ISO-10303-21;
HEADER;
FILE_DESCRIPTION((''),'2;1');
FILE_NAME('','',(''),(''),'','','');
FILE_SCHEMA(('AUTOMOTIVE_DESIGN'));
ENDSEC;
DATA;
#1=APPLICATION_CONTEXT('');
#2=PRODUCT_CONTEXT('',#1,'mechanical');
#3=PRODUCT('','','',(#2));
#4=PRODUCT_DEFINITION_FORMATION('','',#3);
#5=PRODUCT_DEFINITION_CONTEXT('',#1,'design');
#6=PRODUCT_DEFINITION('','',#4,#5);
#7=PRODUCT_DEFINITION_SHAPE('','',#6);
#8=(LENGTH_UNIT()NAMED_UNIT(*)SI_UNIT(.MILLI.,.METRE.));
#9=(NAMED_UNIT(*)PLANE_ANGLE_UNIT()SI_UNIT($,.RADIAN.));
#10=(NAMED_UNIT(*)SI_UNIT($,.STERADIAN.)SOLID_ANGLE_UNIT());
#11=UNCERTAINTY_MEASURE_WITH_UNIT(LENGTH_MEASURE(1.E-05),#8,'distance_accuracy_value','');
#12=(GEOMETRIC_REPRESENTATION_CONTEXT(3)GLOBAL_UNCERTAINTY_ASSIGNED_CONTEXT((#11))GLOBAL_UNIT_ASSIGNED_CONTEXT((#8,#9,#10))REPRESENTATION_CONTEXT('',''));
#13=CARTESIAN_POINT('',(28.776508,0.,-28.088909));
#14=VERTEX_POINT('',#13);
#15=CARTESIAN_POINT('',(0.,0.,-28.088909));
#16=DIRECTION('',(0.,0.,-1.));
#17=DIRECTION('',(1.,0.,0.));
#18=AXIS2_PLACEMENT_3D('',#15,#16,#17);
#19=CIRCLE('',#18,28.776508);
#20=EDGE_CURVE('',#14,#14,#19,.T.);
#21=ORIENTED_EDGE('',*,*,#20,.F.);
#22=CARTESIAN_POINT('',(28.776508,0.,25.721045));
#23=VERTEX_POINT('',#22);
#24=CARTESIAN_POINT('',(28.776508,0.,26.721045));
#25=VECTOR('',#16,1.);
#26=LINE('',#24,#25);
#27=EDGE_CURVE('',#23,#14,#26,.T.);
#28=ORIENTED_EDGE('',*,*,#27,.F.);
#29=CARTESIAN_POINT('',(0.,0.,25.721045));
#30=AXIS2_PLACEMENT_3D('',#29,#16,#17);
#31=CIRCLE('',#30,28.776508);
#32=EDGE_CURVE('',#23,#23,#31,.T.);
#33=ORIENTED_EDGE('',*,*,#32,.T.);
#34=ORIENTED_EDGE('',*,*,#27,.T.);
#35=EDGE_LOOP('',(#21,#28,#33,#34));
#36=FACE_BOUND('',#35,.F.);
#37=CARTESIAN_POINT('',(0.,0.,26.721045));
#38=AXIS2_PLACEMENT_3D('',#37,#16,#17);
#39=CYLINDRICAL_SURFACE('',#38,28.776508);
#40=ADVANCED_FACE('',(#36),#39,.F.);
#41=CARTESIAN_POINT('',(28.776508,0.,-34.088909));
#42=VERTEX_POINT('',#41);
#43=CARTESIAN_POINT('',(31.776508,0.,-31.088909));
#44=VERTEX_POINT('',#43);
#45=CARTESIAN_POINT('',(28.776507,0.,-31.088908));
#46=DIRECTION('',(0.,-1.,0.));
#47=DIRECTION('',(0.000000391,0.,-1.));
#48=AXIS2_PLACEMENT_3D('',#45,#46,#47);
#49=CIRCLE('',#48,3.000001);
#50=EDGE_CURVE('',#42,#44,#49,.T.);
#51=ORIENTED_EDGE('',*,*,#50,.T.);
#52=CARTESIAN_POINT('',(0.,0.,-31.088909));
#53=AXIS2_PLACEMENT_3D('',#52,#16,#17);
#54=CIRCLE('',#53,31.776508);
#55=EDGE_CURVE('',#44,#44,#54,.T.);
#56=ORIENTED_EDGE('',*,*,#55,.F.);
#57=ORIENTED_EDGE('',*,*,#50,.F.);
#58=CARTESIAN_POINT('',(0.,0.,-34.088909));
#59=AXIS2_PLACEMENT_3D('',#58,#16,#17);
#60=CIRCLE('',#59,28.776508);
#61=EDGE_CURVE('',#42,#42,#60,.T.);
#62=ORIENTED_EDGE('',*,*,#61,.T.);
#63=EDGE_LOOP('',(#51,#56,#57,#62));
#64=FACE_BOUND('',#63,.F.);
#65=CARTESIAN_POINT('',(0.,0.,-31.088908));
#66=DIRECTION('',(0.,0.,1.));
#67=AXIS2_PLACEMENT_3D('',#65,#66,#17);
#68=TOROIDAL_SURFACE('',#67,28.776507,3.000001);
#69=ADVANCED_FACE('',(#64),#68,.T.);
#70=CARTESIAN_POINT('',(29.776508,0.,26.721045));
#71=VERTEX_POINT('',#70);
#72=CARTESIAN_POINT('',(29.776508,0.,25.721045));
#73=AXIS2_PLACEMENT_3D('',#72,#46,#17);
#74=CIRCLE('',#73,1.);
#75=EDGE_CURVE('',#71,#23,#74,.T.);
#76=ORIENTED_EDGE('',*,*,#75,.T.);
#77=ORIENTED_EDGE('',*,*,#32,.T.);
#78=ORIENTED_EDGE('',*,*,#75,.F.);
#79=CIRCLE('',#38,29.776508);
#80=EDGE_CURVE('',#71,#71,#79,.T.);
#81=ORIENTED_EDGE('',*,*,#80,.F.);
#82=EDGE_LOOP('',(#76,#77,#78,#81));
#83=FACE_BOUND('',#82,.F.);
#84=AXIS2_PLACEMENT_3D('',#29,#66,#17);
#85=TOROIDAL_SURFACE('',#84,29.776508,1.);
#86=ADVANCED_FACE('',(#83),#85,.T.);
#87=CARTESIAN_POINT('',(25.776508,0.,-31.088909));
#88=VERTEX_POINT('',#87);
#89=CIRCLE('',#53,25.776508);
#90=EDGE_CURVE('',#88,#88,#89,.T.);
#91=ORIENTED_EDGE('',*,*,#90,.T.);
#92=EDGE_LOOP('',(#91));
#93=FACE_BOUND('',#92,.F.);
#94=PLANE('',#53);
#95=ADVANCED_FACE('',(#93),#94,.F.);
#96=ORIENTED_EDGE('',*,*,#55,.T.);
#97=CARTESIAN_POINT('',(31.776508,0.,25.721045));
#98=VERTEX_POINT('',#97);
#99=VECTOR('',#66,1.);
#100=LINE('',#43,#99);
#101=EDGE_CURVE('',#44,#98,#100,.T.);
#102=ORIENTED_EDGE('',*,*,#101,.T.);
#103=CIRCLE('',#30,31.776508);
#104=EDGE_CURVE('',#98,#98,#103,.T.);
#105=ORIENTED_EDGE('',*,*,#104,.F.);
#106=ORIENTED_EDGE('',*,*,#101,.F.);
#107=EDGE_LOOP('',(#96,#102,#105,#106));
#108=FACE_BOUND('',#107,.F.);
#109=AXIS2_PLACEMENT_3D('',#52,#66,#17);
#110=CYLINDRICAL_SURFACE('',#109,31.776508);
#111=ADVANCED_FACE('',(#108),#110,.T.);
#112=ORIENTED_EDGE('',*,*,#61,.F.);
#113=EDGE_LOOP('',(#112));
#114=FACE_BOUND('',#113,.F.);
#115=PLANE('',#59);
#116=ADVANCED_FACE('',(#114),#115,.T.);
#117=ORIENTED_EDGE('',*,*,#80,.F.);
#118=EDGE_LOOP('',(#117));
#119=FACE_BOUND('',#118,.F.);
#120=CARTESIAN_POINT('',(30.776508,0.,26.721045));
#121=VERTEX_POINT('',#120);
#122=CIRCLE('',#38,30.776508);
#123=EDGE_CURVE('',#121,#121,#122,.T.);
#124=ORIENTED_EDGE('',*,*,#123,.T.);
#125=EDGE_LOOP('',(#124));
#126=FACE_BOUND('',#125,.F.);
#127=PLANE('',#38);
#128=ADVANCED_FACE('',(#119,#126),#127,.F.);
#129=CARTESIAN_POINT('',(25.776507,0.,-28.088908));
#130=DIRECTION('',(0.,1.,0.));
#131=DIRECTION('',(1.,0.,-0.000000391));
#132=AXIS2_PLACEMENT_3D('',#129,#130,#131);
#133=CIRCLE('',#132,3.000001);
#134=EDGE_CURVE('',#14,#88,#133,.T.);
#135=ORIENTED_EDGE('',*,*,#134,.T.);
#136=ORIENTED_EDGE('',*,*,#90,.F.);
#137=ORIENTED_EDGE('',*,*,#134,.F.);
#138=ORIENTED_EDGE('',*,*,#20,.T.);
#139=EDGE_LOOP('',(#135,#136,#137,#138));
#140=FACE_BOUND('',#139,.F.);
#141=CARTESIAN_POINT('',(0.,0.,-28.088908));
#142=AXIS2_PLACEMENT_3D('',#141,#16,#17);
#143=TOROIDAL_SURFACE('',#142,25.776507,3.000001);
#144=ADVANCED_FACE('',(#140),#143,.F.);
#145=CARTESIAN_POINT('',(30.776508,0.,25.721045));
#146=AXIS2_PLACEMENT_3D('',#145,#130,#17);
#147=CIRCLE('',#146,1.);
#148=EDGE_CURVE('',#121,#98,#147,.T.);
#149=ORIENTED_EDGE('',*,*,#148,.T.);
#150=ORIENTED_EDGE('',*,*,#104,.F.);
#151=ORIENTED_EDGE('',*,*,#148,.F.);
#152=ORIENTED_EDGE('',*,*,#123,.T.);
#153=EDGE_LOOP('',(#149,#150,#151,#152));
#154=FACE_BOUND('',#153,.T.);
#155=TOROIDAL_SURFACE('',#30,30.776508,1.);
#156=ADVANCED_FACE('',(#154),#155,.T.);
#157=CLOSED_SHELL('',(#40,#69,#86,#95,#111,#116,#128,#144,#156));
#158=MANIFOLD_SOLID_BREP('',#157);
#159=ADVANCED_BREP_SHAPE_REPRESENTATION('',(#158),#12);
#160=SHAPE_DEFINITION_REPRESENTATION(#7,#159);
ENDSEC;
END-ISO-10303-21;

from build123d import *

# Parameters (mm, degrees)
F2_R = 1
F3_R = 1


with BuildPart() as f1:
    # F0 (on Front) → F1 (revolve)
    with BuildSketch(Plane.XZ):
        with BuildLine():
            Line((25.776508, -31.088909), (0, -31.088909))
            Line((0, -31.088909), (0, -34.088909))
            Line((0, -34.088909), (28.776508, -34.088909))
            ThreePointArc((28.776508, -34.088909), (30.897828, -33.210229), (31.776508, -31.088909))
            Line((31.776508, -31.088909), (31.776508, 26.721045))
            Line((31.776508, 26.721045), (28.776508, 26.721045))
            Line((28.776508, 26.721045), (28.776508, -28.088909))
            ThreePointArc((28.776508, -28.088909), (27.897828, -30.210229), (25.776508, -31.088909))
        make_face()
    revolve(axis=Axis((0, 0, -7.964928), (0, 0, -1)))

    # F2
    f2_edges = [f1.edges().sort_by_distance(p)[0] for p in [
        (-28.776508, 0, 26.721045),
    ]]
    fillet(f2_edges, radius=F2_R)

    # F3
    f3_edges = [f1.edges().sort_by_distance(p)[0] for p in [
        (-31.776508, 0, 26.721045),
    ]]
    fillet(f3_edges, radius=F3_R)


solid = f1.part
